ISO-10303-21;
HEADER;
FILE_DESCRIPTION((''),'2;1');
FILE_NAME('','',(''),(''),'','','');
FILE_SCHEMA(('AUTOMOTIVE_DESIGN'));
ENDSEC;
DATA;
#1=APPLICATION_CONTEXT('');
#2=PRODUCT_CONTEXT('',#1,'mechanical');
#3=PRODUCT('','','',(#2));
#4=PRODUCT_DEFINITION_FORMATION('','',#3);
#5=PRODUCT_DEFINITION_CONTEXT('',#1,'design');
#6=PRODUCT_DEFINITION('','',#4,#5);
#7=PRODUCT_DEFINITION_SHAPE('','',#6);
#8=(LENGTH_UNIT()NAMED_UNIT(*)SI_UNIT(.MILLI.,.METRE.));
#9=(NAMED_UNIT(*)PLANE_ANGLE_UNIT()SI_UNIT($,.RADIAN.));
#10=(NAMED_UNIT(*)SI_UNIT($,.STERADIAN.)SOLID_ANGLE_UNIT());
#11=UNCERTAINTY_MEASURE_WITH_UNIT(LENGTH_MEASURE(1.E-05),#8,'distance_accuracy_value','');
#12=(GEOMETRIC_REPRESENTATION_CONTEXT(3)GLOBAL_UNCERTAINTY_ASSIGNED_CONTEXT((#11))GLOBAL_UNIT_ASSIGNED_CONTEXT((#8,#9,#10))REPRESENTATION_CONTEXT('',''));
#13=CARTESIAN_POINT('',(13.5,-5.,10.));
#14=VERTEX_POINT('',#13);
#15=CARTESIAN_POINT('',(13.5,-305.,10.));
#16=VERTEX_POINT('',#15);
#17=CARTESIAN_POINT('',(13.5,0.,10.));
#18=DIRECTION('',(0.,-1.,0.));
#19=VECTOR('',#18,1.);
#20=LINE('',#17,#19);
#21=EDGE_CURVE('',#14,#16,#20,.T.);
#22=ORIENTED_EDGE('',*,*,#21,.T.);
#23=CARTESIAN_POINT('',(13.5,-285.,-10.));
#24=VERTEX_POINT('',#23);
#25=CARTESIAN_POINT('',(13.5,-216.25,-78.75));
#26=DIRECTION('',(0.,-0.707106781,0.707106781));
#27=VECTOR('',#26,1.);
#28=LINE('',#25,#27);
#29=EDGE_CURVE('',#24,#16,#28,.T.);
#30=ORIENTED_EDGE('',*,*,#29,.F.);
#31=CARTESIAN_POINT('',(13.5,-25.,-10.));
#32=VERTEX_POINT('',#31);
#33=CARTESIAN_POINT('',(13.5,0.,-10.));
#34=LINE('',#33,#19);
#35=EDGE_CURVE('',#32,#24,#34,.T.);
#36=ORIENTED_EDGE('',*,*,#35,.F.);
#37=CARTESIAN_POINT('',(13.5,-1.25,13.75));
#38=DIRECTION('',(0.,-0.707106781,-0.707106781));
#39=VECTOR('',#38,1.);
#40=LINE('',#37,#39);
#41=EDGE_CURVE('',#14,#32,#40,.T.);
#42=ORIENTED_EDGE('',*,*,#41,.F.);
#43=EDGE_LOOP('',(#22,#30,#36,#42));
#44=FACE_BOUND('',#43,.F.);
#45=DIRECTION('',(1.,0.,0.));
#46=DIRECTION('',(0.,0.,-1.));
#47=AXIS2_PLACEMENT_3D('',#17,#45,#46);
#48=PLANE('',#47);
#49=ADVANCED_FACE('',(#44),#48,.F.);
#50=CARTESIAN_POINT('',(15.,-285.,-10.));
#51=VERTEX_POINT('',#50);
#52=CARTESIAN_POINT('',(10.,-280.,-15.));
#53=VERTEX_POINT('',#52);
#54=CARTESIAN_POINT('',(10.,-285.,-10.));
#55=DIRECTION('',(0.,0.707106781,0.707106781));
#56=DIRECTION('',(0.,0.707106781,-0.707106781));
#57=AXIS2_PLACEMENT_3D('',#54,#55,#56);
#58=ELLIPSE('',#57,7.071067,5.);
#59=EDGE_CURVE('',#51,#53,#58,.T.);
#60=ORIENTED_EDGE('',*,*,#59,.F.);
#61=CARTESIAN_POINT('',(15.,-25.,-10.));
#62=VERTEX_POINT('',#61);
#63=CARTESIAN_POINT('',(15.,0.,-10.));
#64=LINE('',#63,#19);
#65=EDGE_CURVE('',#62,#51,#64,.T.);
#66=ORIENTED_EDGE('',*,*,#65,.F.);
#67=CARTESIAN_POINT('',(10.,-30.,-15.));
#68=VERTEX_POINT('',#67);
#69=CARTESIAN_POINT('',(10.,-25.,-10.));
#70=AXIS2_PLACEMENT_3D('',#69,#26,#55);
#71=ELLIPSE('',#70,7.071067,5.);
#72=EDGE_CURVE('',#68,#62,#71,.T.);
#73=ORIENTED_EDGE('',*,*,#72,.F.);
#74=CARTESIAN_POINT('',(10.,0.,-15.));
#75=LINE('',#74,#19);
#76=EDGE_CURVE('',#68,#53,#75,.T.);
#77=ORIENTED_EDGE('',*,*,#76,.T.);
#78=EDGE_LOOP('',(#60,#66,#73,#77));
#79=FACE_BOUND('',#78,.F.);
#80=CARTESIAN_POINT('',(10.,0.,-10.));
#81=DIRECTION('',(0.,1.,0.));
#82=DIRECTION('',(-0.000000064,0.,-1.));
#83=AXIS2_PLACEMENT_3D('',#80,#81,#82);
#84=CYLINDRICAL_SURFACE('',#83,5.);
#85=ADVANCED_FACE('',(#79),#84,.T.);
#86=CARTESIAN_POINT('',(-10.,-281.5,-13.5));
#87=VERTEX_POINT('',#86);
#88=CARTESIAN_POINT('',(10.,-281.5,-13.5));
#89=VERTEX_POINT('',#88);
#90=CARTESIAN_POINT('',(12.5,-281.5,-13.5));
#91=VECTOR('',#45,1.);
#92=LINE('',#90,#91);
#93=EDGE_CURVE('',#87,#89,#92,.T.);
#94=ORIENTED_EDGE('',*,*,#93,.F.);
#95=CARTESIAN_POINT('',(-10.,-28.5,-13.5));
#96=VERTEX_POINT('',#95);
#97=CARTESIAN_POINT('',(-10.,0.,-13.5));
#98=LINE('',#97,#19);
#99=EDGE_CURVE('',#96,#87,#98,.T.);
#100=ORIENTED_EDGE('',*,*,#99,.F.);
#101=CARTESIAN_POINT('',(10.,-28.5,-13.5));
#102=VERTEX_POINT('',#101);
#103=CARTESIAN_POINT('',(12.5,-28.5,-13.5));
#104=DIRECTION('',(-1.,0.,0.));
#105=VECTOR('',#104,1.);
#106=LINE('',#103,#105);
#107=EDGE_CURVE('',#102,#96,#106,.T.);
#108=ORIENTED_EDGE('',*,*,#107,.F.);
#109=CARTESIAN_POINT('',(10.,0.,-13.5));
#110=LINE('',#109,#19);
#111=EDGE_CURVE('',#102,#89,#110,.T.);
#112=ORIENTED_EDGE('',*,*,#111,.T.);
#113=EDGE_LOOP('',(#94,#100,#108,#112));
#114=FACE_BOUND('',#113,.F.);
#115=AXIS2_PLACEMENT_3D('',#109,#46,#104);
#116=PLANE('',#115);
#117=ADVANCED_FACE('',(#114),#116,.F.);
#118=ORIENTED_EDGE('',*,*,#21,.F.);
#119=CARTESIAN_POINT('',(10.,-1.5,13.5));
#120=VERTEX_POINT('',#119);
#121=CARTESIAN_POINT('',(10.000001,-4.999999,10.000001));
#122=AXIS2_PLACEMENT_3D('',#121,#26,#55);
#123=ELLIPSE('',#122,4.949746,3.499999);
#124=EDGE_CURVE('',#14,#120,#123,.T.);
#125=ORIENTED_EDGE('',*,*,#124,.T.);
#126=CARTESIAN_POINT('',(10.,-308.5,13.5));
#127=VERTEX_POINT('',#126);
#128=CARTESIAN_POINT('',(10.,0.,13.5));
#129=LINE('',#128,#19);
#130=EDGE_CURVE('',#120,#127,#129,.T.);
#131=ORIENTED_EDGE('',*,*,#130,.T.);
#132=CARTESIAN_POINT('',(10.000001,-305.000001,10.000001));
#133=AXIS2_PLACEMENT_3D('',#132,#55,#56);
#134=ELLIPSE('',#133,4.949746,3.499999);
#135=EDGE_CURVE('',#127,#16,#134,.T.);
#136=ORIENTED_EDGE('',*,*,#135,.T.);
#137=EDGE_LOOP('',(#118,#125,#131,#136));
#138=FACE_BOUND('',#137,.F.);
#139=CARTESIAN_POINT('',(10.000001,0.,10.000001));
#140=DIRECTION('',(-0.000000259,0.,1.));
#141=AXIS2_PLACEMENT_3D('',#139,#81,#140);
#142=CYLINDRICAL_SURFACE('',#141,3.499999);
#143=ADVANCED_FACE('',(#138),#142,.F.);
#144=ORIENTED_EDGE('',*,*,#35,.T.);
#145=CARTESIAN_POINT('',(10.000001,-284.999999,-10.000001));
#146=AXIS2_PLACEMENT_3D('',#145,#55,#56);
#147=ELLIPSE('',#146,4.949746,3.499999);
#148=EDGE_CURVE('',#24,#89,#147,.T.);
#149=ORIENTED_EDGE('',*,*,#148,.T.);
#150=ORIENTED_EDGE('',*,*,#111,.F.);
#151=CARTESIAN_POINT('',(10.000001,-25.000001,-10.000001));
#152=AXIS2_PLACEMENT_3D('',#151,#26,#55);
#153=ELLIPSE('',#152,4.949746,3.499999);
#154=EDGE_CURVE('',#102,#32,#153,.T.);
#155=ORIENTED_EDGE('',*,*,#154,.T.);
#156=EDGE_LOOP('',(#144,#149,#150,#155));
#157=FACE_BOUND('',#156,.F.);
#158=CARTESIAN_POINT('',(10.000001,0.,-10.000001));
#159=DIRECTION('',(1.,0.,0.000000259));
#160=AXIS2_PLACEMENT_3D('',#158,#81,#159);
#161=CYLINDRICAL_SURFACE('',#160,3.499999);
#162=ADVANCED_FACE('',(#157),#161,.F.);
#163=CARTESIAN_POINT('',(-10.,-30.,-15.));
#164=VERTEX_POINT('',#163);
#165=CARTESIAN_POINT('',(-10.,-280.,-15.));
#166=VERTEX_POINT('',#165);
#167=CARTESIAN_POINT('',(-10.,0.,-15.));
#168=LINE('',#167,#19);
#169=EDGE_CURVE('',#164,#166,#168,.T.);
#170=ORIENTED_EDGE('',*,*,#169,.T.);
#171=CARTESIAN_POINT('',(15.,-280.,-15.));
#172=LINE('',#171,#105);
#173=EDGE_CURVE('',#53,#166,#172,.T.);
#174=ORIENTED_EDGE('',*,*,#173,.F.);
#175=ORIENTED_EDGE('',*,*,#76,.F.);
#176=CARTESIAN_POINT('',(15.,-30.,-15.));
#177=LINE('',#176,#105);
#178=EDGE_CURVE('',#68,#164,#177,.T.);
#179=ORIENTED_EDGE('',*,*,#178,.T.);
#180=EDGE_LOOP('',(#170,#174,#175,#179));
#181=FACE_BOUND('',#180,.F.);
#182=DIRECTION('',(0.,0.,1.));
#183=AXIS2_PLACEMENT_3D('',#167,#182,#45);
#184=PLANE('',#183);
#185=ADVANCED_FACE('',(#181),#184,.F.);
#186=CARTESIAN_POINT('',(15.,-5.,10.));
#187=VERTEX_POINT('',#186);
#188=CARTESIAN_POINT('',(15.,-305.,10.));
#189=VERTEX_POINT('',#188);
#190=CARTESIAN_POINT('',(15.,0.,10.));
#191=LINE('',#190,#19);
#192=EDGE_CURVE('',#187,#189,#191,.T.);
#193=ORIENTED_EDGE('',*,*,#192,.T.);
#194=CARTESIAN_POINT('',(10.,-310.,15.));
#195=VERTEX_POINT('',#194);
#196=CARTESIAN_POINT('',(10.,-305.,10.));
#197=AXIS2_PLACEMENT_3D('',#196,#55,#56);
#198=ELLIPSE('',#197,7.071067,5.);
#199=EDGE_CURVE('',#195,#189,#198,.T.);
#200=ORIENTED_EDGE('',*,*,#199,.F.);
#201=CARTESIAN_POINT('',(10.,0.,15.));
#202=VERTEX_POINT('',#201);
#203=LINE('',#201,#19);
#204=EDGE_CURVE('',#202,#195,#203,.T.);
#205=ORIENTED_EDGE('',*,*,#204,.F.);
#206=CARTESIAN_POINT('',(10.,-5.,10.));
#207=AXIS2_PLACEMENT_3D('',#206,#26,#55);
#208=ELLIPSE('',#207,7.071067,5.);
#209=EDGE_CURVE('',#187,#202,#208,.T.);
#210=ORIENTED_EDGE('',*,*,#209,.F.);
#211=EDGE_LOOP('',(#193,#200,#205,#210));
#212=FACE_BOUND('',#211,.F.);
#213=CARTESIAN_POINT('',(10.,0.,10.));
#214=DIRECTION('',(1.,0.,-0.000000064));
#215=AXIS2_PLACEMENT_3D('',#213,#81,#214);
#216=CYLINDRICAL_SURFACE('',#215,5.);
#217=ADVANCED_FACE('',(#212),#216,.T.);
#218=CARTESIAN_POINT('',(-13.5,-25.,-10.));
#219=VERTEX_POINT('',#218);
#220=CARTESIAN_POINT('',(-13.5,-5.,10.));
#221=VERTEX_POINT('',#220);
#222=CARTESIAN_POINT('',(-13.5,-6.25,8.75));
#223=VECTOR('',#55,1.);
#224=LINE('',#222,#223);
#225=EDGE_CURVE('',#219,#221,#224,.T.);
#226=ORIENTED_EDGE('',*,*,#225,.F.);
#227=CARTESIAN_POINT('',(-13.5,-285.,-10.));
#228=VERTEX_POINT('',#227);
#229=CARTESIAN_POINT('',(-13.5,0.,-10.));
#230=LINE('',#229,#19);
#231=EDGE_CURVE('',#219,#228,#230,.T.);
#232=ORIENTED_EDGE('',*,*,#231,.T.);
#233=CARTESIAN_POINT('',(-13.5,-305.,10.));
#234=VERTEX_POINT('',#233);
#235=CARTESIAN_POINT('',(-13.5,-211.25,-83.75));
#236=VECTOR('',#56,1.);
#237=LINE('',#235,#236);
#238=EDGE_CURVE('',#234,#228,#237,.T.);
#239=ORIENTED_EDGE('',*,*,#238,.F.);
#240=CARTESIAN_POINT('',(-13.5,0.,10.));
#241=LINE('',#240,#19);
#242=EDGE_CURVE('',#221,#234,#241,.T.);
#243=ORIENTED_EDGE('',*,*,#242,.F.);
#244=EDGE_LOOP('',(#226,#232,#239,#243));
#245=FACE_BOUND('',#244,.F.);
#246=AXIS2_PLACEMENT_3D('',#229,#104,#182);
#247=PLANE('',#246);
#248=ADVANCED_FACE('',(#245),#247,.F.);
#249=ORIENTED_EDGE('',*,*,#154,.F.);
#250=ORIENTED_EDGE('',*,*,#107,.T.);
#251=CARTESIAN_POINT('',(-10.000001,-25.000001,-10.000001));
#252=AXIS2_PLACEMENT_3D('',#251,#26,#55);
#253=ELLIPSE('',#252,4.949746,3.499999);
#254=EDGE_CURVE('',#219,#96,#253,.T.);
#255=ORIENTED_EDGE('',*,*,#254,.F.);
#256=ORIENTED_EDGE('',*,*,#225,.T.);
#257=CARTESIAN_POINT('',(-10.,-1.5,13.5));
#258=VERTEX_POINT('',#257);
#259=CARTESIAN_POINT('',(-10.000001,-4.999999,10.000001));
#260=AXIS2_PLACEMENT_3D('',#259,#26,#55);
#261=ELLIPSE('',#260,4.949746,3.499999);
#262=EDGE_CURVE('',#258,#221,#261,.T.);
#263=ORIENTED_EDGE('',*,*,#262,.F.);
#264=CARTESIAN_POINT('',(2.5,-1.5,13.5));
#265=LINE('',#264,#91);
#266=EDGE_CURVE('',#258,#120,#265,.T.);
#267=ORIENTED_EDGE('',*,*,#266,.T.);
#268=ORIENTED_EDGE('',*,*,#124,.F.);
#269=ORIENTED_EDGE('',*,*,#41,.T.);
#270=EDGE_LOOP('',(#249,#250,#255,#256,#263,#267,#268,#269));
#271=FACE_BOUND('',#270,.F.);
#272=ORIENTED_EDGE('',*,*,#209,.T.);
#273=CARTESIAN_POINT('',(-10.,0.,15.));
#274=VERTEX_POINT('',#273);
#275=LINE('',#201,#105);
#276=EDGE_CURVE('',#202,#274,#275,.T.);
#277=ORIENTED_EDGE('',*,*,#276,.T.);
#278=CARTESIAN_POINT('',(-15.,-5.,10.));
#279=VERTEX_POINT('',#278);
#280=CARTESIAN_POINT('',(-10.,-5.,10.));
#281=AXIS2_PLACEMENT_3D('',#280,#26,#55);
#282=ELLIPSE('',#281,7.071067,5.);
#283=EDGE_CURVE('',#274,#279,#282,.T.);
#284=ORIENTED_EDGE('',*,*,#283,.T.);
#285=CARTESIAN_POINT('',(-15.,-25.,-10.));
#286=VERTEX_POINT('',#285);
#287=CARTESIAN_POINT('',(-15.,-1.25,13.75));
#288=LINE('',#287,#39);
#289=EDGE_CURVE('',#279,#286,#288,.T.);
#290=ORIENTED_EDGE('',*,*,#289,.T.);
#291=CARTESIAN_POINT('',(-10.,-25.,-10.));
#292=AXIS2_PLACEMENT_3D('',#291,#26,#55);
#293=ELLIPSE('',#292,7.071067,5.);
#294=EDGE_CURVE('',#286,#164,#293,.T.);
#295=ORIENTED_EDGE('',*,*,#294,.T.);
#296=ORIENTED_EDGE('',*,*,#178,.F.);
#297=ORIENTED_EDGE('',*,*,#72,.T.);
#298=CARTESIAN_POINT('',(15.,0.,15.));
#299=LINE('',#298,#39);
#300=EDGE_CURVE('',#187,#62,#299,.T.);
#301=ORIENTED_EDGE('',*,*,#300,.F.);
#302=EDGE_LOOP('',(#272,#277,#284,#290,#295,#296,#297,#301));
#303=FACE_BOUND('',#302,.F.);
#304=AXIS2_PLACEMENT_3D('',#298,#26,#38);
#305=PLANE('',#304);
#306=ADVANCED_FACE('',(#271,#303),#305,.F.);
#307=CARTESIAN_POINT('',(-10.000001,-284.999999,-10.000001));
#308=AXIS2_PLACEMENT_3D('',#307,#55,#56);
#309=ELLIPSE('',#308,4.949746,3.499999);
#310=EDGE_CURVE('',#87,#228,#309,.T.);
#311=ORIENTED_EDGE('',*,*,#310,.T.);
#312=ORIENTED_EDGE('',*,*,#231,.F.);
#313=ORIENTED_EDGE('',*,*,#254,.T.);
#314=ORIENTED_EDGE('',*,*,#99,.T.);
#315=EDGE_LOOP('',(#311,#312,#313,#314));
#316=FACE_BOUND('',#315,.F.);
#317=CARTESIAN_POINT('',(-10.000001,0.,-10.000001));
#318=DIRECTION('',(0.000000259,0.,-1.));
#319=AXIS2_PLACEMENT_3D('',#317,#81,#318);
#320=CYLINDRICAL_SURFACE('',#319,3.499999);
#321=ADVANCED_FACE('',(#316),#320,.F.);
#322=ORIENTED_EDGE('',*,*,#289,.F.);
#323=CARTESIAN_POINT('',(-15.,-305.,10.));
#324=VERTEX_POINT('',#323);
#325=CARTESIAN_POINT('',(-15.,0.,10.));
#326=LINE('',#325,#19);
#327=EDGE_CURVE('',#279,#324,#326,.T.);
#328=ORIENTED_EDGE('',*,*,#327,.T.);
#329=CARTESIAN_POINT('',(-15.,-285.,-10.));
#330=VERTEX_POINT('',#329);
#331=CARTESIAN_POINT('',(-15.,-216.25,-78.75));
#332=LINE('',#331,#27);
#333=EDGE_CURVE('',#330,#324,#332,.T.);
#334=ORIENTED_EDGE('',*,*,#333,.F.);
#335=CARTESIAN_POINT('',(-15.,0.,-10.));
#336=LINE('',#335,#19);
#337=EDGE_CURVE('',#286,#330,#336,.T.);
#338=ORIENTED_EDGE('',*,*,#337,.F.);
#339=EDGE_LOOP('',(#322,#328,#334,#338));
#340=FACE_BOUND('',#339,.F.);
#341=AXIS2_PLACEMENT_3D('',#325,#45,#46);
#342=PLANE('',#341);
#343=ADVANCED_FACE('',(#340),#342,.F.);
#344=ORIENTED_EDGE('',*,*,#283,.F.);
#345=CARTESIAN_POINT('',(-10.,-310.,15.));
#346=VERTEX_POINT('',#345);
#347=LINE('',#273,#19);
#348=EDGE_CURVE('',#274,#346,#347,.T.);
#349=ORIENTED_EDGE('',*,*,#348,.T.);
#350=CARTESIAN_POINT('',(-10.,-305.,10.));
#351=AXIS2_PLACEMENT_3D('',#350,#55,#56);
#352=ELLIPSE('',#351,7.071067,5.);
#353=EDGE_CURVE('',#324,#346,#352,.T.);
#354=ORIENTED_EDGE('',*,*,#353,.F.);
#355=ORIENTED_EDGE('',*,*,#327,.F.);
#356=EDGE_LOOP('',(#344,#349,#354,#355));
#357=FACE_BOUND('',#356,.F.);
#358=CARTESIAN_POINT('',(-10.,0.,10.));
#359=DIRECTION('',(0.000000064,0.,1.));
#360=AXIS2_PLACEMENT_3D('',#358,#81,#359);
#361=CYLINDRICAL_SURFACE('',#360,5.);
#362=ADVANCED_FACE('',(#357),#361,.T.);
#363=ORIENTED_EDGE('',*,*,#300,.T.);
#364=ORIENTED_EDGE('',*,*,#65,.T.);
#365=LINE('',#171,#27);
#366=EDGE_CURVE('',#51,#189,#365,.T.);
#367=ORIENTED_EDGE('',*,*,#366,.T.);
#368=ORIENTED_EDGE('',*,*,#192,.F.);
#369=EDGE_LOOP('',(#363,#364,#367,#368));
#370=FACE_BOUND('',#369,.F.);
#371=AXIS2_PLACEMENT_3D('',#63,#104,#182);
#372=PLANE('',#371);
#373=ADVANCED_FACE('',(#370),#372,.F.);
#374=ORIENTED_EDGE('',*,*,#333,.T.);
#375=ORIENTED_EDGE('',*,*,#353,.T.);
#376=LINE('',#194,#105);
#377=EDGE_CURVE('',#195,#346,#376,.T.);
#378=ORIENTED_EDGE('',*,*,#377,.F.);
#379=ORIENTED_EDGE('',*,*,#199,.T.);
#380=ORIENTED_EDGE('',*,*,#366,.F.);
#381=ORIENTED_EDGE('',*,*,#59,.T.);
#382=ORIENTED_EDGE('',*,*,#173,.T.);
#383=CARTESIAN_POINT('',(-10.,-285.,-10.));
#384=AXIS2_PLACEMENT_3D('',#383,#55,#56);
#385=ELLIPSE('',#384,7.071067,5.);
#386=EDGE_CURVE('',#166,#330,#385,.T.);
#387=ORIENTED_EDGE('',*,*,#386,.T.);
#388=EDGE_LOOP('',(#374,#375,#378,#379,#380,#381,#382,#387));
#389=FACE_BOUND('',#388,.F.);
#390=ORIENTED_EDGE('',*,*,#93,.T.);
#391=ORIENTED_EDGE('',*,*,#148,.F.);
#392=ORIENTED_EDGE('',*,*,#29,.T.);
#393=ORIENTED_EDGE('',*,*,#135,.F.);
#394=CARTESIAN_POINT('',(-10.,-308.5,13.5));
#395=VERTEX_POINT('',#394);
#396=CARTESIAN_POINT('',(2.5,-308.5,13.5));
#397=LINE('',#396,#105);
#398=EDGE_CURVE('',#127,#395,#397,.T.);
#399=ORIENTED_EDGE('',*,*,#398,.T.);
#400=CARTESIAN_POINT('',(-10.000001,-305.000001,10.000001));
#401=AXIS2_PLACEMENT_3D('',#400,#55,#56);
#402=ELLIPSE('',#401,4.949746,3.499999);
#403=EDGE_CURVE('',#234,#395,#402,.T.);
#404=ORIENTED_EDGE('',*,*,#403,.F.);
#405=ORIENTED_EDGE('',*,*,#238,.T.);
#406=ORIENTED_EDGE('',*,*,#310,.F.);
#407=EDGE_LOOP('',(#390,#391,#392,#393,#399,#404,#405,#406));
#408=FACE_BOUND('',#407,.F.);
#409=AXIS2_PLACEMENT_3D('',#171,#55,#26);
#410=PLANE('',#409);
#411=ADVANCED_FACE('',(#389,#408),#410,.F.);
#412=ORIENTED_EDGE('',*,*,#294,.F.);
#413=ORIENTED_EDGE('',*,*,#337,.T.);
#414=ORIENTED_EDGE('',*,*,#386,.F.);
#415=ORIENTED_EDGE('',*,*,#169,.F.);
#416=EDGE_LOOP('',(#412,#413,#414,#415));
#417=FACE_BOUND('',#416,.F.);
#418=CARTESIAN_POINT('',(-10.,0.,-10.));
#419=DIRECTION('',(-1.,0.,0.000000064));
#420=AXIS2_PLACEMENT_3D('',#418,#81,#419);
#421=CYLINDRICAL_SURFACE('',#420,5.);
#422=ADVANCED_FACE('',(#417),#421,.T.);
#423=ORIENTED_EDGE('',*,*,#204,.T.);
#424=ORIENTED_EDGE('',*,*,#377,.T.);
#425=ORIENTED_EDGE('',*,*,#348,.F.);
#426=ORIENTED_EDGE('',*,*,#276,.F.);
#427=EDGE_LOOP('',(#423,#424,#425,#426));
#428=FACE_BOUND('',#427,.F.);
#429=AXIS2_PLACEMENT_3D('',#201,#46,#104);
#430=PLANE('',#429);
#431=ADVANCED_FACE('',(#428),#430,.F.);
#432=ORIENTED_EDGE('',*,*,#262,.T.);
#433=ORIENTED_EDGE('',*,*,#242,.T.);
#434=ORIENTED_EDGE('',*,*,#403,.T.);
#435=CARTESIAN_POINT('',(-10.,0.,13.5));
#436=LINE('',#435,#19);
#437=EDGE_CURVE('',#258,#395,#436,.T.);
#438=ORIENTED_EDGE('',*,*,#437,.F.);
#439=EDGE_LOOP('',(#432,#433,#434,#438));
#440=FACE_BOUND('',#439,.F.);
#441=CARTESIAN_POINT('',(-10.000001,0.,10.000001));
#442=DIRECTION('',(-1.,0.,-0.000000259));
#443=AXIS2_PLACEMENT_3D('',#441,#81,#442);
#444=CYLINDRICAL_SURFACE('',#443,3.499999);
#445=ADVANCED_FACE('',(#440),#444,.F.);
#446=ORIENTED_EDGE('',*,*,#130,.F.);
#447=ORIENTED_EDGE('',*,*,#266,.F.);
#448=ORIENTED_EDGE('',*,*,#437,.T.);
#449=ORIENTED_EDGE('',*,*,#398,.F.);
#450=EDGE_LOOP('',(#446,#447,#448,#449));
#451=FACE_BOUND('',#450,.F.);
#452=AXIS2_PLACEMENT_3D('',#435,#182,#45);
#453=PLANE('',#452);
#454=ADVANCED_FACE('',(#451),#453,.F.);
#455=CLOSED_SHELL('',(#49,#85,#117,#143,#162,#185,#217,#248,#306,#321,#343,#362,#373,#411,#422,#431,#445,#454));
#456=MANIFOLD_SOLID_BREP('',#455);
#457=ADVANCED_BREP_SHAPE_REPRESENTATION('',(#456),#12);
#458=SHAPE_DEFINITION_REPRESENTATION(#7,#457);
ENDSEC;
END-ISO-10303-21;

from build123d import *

# Parameters (mm, degrees)
F1_DEPTH = 310
F3_DEPTH = 30.001


with BuildPart() as f1:
    # F0 (on Front) → F1 (new body)
    with BuildSketch(Plane.XZ):
        with BuildLine():
            Line((-10, -15), (10, -15))
            ThreePointArc((10, -15), (13.535534, -13.535534), (15, -10))
            Line((15, -10), (15, 10))
            ThreePointArc((15, 10), (13.535534, 13.535534), (10, 15))
            Line((10, 15), (-10, 15))
            ThreePointArc((-10, 15), (-13.535534, 13.535534), (-15, 10))
            Line((-15, 10), (-15, -10))
            ThreePointArc((-15, -10), (-13.535534, -13.535534), (-10, -15))
        make_face()
        with BuildLine():
            ThreePointArc((-10, -13.5), (-12.474874, -12.474874), (-13.5, -10))
            Line((-13.5, -10), (-13.5, 10))
            ThreePointArc((-13.5, 10), (-12.474874, 12.474874), (-10, 13.5))
            Line((-10, 13.5), (10, 13.5))
            ThreePointArc((10, 13.5), (12.474874, 12.474874), (13.5, 10))
            Line((13.5, 10), (13.5, -10))
            ThreePointArc((13.5, -10), (12.474874, -12.474874), (10, -13.5))
            Line((10, -13.5), (-10, -13.5))
        make_face(mode=Mode.SUBTRACT)
    extrude(amount=F1_DEPTH)

    # F2 (on face) → F3 (cut, through all)
    with BuildSketch(Plane.YZ.offset(15)):
        Polygon((0, -15), (0, 15), (-30, -15), align=None)
        Polygon((-310, 15), (-310, -15), (-280, -15), align=None)
    extrude(amount=-F3_DEPTH, mode=Mode.SUBTRACT)


solid = f1.part
